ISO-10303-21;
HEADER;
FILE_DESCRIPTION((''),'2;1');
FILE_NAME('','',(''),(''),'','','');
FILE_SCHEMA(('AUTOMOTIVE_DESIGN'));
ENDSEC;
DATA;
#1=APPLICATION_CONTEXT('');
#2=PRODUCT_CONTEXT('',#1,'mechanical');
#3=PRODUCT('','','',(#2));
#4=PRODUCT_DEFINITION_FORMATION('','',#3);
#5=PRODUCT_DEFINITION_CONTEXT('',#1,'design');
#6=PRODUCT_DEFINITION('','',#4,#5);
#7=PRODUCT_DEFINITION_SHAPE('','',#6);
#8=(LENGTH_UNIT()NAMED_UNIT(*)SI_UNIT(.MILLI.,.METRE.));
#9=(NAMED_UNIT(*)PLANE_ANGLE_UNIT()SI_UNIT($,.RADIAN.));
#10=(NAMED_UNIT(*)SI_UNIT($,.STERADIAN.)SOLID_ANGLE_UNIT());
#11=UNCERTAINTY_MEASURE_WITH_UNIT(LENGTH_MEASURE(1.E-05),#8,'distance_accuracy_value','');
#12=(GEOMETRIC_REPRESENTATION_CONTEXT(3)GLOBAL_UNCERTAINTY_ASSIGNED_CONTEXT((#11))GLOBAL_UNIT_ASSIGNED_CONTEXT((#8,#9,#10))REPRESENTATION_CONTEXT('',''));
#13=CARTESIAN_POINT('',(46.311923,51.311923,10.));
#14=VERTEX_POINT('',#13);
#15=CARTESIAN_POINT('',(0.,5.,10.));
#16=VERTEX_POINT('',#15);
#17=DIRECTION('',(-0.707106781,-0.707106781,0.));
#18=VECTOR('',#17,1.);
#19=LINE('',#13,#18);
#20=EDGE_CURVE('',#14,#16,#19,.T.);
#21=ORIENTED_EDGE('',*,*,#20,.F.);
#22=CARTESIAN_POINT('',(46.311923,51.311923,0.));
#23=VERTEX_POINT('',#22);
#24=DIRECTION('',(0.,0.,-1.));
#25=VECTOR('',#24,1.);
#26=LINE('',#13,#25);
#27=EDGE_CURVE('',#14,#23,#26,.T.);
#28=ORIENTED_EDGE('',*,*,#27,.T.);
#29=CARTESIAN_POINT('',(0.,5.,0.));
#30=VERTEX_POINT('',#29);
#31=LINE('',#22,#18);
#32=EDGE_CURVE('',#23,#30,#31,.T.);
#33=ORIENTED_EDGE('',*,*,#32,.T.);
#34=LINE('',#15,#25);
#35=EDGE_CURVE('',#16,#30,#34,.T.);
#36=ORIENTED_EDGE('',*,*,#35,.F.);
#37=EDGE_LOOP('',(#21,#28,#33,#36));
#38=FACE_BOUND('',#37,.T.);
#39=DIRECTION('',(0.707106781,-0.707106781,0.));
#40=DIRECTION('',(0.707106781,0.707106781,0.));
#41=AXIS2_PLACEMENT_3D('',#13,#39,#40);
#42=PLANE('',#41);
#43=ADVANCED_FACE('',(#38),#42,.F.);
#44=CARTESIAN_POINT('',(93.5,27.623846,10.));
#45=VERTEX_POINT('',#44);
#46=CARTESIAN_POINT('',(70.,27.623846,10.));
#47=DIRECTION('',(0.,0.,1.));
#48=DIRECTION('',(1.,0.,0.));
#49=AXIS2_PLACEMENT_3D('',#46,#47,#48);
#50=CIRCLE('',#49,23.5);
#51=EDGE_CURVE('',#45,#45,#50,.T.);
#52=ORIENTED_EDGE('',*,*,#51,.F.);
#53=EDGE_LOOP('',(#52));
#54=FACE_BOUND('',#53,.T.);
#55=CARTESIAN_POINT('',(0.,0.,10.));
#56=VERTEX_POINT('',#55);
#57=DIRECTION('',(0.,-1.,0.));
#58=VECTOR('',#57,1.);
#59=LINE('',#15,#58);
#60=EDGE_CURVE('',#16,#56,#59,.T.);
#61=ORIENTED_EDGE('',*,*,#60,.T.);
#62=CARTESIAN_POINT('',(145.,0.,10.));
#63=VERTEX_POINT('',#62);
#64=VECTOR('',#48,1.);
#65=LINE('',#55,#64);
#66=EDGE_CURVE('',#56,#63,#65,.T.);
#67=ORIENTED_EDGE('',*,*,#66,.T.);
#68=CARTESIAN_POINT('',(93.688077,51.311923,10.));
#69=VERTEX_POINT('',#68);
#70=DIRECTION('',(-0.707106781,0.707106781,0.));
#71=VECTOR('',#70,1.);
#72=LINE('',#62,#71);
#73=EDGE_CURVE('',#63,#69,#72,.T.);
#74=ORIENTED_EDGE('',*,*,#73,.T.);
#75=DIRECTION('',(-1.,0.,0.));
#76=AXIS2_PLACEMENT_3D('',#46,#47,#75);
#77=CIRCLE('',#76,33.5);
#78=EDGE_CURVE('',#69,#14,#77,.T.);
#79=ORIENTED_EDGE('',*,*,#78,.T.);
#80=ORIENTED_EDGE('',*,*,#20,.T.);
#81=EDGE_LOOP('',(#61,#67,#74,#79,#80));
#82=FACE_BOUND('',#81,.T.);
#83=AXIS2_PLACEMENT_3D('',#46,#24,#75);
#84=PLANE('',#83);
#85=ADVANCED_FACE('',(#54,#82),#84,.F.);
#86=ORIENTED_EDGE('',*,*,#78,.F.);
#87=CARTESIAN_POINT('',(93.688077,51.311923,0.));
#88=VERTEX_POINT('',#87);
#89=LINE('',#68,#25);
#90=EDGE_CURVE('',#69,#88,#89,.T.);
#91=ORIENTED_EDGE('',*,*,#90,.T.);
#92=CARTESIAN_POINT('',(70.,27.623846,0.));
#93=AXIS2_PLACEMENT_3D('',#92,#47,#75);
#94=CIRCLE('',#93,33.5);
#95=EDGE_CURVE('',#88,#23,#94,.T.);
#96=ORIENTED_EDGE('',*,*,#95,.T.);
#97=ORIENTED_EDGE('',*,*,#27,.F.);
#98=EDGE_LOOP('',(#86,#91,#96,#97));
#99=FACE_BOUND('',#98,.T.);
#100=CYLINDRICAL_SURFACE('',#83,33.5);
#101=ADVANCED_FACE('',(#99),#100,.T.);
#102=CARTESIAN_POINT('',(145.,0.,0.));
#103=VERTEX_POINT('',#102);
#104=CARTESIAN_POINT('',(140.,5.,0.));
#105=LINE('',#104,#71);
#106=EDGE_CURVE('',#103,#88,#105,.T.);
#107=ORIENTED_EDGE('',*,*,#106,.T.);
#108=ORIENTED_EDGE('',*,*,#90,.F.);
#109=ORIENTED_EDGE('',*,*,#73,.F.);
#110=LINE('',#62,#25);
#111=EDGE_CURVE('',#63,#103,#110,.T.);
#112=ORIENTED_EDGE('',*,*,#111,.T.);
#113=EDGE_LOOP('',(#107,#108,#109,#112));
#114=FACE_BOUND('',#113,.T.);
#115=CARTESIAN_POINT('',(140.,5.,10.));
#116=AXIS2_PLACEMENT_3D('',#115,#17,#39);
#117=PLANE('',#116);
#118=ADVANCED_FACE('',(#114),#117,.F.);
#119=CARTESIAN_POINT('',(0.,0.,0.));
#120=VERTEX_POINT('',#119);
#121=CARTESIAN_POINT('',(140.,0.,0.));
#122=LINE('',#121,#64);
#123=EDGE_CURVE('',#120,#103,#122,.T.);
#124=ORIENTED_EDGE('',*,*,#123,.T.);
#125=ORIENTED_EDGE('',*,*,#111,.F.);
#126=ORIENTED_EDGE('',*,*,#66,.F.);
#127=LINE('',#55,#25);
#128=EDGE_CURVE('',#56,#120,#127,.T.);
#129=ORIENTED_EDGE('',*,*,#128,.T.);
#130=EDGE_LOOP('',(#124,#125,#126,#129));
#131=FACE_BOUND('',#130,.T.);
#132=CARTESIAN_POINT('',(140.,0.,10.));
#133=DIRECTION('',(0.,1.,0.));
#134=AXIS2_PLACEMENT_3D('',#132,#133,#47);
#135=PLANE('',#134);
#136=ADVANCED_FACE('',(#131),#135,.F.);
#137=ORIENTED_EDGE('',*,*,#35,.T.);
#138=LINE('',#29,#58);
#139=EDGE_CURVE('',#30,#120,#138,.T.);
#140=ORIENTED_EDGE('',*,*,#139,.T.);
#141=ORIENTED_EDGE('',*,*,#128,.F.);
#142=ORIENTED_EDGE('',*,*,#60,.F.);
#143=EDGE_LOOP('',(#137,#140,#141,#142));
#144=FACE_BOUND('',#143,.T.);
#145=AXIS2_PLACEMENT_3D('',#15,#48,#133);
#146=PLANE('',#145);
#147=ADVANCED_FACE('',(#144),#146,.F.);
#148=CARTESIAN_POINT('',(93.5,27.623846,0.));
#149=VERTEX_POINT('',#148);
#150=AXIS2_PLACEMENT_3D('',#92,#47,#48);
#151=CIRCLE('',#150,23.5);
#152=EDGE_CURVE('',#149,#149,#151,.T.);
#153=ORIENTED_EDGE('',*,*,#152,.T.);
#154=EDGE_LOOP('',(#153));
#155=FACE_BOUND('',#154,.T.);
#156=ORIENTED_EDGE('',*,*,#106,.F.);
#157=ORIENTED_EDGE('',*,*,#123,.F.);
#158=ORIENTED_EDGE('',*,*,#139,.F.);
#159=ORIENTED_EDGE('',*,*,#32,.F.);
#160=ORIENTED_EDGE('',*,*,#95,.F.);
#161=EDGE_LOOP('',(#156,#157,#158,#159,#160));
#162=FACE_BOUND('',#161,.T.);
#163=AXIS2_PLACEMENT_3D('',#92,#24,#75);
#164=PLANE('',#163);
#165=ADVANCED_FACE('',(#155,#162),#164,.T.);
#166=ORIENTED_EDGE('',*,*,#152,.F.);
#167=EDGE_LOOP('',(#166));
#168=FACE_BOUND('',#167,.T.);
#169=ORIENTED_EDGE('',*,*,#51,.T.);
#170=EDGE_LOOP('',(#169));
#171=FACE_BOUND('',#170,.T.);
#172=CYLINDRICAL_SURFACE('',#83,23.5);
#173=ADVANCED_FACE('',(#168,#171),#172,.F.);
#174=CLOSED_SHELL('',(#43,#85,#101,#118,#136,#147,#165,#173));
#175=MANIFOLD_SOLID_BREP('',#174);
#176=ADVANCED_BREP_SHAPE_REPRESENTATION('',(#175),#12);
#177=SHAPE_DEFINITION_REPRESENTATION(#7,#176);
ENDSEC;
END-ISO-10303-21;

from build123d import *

# Parameters (mm, degrees)
ESQUISSE1_R        = 23.5
BOSS_EXTRU_1_DEPTH = 10


with BuildPart() as part:
    # Esquisse1 → Boss.-Extru.1 (new body)
    with BuildSketch(Plane.XY):
        with BuildLine():
            Line((0, 0), (140, 0))
            Line((140, 0), (145, 0))
            Line((145, 0), (140, 5))
            Line((140, 5), (93.68807717, 51.31192283))
            ThreePointArc((93.68807717, 51.31192283), (70, 61.123845661), (46.31192283, 51.31192283))
            Line((46.31192283, 51.31192283), (0, 5))
            Line((0, 5), (0, 0))
        make_face()
        with Locations((70, 27.623845661)):
            Circle(ESQUISSE1_R, mode=Mode.SUBTRACT)
    extrude(amount=BOSS_EXTRU_1_DEPTH)


solid = part.part
